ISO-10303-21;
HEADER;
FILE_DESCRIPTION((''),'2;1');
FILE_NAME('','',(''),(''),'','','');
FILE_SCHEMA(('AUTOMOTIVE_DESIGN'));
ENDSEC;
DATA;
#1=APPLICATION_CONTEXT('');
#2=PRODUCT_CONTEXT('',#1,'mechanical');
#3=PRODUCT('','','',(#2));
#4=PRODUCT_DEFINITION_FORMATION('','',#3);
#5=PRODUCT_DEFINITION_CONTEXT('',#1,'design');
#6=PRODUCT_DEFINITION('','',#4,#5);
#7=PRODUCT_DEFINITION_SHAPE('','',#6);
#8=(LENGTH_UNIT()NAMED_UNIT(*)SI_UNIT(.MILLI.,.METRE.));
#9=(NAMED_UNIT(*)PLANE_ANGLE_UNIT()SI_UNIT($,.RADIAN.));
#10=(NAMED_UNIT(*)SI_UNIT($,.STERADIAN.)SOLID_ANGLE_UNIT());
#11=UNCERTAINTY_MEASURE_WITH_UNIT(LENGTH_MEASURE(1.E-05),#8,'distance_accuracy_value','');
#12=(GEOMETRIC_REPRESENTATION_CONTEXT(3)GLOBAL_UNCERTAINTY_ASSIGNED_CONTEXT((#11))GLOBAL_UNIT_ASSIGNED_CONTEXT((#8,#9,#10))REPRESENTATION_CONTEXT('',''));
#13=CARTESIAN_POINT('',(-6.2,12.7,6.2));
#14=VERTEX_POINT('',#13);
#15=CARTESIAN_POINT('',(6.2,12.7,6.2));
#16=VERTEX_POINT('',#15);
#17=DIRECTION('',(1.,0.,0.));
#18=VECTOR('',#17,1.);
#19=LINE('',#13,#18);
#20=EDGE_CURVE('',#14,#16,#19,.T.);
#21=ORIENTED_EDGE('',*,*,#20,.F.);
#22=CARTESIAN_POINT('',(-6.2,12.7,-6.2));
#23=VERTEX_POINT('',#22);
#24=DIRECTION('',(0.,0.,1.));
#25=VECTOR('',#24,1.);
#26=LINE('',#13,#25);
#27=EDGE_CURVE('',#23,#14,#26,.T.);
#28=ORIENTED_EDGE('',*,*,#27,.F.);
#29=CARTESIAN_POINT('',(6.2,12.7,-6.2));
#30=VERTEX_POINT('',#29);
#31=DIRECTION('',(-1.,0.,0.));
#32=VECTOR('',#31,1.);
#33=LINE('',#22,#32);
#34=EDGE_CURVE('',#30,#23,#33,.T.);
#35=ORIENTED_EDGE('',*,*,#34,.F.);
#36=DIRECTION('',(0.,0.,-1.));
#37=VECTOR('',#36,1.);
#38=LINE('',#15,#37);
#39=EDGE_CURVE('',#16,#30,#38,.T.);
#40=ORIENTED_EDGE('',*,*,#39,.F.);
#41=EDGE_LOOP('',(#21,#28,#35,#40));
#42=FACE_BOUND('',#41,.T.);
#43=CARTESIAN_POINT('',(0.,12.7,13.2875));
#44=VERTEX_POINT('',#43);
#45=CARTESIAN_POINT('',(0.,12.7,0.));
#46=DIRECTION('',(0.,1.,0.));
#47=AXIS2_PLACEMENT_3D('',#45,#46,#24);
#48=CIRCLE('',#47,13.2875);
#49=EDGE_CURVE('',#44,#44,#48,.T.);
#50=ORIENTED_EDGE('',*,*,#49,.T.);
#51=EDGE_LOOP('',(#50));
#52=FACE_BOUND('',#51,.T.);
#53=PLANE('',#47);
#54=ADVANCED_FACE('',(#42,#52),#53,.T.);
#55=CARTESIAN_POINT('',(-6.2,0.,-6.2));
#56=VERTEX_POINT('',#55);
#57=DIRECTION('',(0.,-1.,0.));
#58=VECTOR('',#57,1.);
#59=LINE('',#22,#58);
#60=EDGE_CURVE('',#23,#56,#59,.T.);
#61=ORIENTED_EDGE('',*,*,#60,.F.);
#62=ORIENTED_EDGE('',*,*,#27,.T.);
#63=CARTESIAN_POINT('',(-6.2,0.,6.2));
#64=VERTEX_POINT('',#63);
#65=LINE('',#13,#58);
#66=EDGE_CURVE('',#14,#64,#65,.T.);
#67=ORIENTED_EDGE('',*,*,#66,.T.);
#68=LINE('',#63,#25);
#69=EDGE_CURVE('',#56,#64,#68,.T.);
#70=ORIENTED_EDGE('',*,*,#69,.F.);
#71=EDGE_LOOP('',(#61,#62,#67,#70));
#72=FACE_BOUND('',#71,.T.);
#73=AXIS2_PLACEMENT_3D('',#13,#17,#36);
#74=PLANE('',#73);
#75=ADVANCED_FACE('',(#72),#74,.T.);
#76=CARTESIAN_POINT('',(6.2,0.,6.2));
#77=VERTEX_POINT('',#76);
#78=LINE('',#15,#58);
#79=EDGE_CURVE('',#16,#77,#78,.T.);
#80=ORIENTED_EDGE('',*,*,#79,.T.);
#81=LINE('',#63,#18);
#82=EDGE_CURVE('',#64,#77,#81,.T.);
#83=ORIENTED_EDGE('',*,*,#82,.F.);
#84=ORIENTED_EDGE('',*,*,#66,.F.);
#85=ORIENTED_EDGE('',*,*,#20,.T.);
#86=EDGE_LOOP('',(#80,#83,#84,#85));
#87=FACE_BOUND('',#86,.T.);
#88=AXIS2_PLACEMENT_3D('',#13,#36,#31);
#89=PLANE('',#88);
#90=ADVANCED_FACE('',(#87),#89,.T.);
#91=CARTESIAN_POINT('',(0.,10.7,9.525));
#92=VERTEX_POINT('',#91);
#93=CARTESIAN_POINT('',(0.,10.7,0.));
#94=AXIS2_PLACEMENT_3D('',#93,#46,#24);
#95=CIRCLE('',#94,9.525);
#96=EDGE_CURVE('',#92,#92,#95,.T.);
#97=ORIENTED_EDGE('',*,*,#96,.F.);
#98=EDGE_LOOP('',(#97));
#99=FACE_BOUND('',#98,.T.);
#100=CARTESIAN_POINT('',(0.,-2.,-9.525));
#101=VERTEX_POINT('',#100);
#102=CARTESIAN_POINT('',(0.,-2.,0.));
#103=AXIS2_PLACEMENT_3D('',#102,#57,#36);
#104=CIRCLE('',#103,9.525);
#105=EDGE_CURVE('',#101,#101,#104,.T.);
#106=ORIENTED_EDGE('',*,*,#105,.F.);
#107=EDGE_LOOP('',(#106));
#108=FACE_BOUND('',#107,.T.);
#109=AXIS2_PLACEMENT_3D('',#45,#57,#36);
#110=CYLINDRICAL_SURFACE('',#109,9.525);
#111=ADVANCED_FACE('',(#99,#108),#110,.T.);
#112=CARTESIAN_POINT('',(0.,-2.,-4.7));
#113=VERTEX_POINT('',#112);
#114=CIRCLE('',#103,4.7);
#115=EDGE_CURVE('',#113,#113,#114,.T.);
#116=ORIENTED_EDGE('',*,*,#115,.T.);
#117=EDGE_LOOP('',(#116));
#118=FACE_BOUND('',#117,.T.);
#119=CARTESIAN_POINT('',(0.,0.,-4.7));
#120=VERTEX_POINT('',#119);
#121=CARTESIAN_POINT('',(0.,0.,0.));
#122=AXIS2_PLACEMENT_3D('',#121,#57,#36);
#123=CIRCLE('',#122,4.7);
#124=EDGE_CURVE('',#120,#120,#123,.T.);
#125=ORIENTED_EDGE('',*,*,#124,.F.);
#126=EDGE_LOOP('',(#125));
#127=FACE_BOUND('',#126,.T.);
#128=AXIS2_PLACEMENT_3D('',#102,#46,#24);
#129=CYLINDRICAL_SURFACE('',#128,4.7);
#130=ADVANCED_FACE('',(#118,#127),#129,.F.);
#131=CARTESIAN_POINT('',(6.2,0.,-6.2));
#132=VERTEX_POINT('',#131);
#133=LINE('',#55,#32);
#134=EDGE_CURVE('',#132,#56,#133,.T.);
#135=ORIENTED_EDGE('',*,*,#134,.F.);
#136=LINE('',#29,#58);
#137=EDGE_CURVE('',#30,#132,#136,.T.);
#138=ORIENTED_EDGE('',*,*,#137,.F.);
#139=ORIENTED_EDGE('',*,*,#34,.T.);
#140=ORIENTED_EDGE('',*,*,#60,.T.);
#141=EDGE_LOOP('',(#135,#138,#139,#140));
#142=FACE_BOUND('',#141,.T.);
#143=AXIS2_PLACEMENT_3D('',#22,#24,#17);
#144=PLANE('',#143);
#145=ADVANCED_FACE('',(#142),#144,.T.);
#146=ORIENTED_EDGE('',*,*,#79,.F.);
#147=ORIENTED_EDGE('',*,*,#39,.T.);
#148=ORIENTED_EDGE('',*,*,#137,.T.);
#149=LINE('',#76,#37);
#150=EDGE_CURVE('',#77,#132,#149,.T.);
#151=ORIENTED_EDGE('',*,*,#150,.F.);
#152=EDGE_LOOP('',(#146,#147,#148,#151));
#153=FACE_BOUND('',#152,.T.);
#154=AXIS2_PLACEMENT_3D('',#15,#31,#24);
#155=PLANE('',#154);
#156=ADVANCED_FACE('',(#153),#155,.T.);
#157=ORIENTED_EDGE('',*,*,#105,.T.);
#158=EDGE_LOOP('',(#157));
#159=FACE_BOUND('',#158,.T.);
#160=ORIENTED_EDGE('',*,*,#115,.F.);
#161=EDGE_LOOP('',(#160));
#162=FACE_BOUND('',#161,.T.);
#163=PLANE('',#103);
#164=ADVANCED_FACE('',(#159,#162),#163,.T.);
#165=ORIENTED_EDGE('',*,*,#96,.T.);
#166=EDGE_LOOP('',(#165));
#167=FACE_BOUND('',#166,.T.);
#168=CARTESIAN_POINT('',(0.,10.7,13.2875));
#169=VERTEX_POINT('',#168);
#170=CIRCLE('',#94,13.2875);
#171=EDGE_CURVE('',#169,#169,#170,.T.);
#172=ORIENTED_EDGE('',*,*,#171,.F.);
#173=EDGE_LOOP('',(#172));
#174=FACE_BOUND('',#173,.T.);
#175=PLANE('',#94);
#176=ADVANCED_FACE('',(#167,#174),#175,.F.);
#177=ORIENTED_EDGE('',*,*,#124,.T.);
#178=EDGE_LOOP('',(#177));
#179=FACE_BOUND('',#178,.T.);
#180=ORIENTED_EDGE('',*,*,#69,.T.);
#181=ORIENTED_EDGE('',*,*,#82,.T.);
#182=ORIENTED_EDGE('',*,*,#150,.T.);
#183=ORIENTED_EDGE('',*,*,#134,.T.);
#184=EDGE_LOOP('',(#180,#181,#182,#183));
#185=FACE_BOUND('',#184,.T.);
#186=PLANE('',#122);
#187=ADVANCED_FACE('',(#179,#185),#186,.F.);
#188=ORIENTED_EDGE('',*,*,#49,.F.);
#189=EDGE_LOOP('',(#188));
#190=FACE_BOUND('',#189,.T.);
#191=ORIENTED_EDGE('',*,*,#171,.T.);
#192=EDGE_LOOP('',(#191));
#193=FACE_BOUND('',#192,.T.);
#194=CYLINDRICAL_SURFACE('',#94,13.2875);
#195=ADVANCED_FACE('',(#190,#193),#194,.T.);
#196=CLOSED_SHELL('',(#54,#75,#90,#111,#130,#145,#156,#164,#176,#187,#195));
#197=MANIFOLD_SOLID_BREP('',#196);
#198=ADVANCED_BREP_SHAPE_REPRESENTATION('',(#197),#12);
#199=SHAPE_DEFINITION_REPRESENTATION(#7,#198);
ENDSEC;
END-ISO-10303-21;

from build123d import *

# Parameters (mm, degrees)
SKETCH1_R           = 9.525
SKETCH1_W           = 12.4
SKETCH1_H           = 12.4
BOSS_EXTRUDE1_DEPTH = 12.70000008
BOSS_EXTRUDE3_START = -2
SKETCH2_R           = 13.2875
SKETCH2_R_2         = 9.525
BOSS_EXTRUDE3_DEPTH = 2
BOSS_EXTRUDE4_START = 2
SKETCH3_R           = 9.525
SKETCH3_R_2         = 4.7
BOSS_EXTRUDE4_DEPTH = 2


with BuildPart() as part:
    # Sketch1 → Boss-Extrude1 (new body)
    with BuildSketch(Plane(origin=(0, 0, 0), x_dir=(1, 0, 0), z_dir=(0, 1, 0))):
        with Locations(Location((0, 0, 0), (0, 0, 270))):
            Circle(SKETCH1_R)
        Rectangle(SKETCH1_W, SKETCH1_H, mode=Mode.SUBTRACT)
    extrude(amount=BOSS_EXTRUDE1_DEPTH)

    # Sketch2 → Boss-Extrude3 (add)
    with BuildSketch(Plane(origin=(0, 12.70000008, 0), x_dir=(1, 0, 0), z_dir=(0, 1, 0)).offset(BOSS_EXTRUDE3_START)):
        with Locations(Location((0, 0, 0), (0, 0, 270))):
            Circle(SKETCH2_R)
        with Locations(Location((0, 0, 0), (0, 0, 270))):
            Circle(SKETCH2_R_2, mode=Mode.SUBTRACT)
    extrude(amount=BOSS_EXTRUDE3_DEPTH)

    # Sketch3 → Boss-Extrude4 (add)
    with BuildSketch(Plane.XZ.offset(BOSS_EXTRUDE4_START)):
        with Locations(Location((0, 0, 0), (0, 0, 270))):
            Circle(SKETCH3_R)
        with Locations(Location((0, 0, 0), (0, 0, 270))):
            Circle(SKETCH3_R_2, mode=Mode.SUBTRACT)
    extrude(amount=-BOSS_EXTRUDE4_DEPTH)


solid = part.part
